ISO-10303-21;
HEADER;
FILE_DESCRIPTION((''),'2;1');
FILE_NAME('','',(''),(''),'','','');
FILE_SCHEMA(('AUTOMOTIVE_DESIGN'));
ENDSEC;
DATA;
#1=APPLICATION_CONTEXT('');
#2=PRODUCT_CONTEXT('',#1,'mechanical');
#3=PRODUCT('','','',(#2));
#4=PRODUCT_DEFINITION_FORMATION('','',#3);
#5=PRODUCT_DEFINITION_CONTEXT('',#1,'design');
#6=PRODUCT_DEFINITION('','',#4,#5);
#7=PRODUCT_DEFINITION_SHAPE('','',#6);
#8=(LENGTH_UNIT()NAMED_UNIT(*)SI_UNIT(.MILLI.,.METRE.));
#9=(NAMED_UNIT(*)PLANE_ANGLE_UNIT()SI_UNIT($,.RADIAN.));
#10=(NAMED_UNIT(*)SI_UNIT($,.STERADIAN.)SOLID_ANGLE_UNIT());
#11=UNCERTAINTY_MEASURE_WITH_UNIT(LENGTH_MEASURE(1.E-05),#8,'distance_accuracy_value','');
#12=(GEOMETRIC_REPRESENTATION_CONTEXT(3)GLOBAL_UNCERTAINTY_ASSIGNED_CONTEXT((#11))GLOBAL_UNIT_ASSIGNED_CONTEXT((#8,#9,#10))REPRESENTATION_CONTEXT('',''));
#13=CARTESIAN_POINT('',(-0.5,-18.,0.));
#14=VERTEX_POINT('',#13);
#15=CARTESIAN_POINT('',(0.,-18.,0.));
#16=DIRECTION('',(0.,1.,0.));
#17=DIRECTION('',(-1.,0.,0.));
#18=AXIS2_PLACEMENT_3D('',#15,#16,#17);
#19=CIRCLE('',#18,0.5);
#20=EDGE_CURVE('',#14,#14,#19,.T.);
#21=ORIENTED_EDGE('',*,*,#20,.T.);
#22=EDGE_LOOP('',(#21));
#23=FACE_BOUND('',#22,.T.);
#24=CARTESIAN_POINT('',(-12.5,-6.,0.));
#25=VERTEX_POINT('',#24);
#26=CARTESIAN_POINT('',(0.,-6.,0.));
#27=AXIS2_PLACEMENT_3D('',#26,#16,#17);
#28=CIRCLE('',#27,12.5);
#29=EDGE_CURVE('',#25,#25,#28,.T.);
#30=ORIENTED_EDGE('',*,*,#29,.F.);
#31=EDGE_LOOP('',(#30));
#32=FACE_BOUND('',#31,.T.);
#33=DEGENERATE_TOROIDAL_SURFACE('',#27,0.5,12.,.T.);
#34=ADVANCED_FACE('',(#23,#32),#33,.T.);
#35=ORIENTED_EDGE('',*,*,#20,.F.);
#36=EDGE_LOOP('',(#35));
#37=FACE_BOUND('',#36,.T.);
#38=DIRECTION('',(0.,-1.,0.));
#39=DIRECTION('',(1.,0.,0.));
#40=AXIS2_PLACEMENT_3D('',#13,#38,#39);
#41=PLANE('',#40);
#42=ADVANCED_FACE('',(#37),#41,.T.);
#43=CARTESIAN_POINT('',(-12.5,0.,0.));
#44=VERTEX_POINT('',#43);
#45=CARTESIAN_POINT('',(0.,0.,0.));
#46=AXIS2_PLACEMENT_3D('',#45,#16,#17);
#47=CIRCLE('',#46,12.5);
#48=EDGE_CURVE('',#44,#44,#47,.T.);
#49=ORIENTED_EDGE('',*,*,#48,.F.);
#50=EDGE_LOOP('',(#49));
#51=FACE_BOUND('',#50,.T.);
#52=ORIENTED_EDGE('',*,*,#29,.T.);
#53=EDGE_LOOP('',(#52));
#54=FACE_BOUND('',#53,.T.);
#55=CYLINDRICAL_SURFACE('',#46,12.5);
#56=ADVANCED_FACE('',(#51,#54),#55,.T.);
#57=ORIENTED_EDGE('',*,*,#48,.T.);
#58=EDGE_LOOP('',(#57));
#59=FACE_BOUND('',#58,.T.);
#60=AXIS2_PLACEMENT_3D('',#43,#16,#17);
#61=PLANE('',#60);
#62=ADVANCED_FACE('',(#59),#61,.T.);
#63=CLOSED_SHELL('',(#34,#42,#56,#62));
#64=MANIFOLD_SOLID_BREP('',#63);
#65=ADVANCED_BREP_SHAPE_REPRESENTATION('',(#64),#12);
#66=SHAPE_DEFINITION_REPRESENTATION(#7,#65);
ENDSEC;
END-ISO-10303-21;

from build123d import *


with BuildPart() as part:
    # Sketch2 → Revolve1 (revolve)
    with BuildSketch(Plane.XY):
        with BuildLine():
            Line((-12.5, 0), (0, 0))
            Line((0, 0), (0, -18))
            Line((0, -18), (-0.5, -18))
            ThreePointArc((-0.5, -18), (-8.985281374, -14.485281374), (-12.5, -6))
            Line((-12.5, -6), (-12.5, 0))
        make_face()
    revolve(axis=Axis((0, 0, 0), (0, -1, 0)))


solid = part.part
